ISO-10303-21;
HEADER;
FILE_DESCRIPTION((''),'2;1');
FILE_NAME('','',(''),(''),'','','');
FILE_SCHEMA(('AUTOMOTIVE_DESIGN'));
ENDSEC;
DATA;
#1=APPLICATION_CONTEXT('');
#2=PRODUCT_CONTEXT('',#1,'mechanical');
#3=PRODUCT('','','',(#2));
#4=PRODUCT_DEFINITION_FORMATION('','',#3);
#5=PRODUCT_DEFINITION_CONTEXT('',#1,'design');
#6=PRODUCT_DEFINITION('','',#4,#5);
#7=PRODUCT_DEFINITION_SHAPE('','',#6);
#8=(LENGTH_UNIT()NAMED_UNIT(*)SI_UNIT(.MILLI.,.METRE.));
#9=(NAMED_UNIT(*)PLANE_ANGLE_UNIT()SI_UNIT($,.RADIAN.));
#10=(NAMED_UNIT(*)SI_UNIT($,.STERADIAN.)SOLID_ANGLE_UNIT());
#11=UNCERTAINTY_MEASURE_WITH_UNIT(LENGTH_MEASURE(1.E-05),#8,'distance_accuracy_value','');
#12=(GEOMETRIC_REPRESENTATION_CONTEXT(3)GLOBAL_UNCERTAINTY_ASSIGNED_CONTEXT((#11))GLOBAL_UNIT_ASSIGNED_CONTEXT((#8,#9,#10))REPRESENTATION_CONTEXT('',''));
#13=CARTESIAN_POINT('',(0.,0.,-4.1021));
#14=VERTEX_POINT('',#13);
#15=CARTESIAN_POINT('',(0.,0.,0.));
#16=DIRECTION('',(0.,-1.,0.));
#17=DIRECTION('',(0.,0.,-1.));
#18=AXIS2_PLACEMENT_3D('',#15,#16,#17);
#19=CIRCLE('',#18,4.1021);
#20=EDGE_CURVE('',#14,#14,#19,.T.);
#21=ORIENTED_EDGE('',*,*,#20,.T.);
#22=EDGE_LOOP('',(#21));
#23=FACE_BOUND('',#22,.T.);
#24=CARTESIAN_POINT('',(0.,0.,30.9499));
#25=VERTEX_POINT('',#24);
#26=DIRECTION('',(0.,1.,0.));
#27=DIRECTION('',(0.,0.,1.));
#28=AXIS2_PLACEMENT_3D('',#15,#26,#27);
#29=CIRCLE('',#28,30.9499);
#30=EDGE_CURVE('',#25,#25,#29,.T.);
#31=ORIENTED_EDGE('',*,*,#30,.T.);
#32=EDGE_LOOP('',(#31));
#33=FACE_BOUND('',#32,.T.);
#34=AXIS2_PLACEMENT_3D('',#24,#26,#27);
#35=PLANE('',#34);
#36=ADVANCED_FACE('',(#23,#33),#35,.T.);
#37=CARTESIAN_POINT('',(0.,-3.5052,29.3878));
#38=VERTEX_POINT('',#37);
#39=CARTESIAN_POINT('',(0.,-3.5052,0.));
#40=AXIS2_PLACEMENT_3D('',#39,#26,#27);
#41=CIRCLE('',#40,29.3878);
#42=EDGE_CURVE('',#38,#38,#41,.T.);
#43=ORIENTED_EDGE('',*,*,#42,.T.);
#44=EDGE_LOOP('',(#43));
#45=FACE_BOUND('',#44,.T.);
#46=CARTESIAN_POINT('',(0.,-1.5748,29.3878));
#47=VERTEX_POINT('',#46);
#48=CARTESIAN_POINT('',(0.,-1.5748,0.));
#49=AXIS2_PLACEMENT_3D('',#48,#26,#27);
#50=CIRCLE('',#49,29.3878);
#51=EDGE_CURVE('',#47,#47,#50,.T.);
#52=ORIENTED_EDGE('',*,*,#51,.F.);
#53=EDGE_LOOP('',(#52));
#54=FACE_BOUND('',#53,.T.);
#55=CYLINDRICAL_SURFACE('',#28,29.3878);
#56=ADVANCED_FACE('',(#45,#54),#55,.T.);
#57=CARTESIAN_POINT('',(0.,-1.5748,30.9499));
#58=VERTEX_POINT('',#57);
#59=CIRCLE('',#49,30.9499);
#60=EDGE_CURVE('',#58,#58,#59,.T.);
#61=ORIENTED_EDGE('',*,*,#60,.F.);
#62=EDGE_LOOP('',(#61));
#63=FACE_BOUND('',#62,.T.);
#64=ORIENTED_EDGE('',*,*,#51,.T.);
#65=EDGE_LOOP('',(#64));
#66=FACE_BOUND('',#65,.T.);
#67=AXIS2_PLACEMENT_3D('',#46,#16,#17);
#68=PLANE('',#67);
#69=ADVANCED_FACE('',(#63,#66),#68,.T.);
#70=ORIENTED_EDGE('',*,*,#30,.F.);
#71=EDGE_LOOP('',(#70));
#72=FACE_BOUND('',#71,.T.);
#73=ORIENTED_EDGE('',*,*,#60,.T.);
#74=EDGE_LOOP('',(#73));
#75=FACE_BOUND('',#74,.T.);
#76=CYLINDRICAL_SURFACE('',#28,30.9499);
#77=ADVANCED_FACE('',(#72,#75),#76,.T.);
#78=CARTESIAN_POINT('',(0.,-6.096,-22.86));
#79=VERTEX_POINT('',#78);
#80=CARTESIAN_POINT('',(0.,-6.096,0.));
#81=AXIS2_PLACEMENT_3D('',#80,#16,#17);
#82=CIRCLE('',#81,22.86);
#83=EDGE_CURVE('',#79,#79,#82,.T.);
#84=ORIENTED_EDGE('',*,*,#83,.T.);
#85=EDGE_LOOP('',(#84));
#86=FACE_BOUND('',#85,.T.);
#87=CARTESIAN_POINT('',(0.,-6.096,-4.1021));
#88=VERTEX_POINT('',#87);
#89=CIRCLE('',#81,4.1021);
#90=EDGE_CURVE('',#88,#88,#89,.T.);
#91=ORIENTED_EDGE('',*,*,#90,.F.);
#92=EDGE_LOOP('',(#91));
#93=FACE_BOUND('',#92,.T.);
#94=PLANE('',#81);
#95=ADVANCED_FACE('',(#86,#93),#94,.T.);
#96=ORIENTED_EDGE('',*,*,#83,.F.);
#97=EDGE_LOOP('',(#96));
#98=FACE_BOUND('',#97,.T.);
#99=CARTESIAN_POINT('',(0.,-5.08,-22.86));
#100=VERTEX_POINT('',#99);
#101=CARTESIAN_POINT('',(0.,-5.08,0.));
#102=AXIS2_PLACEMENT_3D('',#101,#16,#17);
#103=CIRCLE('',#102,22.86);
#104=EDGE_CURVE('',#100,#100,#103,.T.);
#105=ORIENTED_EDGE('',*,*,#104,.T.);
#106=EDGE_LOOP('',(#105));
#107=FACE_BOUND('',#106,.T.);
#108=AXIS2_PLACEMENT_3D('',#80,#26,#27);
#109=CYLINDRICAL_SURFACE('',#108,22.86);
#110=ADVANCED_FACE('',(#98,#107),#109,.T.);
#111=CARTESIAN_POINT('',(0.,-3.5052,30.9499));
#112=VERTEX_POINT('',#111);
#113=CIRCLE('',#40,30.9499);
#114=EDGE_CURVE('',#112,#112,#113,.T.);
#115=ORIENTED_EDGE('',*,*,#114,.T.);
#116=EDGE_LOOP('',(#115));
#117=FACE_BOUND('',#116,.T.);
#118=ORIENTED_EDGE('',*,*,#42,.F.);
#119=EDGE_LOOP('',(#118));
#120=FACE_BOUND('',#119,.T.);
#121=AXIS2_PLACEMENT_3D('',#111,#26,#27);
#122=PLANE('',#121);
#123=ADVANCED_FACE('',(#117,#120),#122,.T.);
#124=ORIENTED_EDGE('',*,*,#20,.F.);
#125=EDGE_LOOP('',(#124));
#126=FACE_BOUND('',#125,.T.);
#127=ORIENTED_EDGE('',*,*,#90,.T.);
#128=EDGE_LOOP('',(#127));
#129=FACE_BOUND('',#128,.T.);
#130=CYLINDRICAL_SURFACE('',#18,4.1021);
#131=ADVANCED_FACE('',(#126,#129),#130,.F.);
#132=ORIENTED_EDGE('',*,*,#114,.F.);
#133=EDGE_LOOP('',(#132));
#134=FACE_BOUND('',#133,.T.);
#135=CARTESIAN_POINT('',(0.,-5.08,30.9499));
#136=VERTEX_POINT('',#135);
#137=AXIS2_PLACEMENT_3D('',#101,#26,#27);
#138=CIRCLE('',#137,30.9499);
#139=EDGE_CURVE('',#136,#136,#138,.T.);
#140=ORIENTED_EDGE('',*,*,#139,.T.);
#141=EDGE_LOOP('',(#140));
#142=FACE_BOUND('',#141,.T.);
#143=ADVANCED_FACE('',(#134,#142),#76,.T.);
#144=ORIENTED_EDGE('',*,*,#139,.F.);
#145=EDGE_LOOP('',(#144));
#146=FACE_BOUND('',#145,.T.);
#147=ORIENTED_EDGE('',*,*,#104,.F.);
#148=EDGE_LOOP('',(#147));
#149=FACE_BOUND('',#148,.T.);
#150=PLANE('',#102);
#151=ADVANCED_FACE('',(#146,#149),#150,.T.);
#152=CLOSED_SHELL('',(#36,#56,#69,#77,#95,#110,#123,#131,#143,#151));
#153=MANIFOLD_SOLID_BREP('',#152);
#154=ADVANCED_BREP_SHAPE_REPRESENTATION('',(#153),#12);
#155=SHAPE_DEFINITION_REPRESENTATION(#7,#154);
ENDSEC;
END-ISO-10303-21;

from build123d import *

# Parameters (mm, degrees)
SKETCH6_R                   = 4.1021
F_5_16_CLOSE_FIT_HOLE_DEPTH = 45.063579292
BOSS_EXTRUDE1_START         = 1.016
SKETCH7_R                   = 22.86
SKETCH7_R_2                 = 4.1021
BOSS_EXTRUDE1_DEPTH         = 1.016


with BuildPart() as part:
    # Sketch1 → Revolve1 (revolve)
    with BuildSketch(Plane(origin=(0, 0, 0), x_dir=(0, 0, -1), z_dir=(1, 0, 0))):
        Polygon((0, 0), (0, -5.08), (-30.9499, -5.08), (-30.9499, -3.5052), (-29.3878, -3.5052), (-29.3878, -1.5748), (-30.9499, -1.5748), (-30.9499, 0), align=None)
    revolve(axis=Axis((0, 0, 0), (0, -1, 0)))

    # Sketch6 → 5/16 Close Fit hole (cut, through all)
    with BuildSketch(Plane.XZ.offset(5.08)):
        with Locations(Location((0, 0, 0), (0, 0, 270))):
            Circle(SKETCH6_R)
    extrude(amount=-F_5_16_CLOSE_FIT_HOLE_DEPTH, mode=Mode.SUBTRACT)

    # Sketch7 → Boss-Extrude1 (add)
    with BuildSketch(Plane.XZ.offset(5.08).offset(BOSS_EXTRUDE1_START)):
        with Locations(Location((0, 0, 0), (0, 0, 270))):
            Circle(SKETCH7_R)
        with Locations(Location((0, 0, 0), (0, 0, 270))):
            Circle(SKETCH7_R_2, mode=Mode.SUBTRACT)
    extrude(amount=-BOSS_EXTRUDE1_DEPTH)


solid = part.part
